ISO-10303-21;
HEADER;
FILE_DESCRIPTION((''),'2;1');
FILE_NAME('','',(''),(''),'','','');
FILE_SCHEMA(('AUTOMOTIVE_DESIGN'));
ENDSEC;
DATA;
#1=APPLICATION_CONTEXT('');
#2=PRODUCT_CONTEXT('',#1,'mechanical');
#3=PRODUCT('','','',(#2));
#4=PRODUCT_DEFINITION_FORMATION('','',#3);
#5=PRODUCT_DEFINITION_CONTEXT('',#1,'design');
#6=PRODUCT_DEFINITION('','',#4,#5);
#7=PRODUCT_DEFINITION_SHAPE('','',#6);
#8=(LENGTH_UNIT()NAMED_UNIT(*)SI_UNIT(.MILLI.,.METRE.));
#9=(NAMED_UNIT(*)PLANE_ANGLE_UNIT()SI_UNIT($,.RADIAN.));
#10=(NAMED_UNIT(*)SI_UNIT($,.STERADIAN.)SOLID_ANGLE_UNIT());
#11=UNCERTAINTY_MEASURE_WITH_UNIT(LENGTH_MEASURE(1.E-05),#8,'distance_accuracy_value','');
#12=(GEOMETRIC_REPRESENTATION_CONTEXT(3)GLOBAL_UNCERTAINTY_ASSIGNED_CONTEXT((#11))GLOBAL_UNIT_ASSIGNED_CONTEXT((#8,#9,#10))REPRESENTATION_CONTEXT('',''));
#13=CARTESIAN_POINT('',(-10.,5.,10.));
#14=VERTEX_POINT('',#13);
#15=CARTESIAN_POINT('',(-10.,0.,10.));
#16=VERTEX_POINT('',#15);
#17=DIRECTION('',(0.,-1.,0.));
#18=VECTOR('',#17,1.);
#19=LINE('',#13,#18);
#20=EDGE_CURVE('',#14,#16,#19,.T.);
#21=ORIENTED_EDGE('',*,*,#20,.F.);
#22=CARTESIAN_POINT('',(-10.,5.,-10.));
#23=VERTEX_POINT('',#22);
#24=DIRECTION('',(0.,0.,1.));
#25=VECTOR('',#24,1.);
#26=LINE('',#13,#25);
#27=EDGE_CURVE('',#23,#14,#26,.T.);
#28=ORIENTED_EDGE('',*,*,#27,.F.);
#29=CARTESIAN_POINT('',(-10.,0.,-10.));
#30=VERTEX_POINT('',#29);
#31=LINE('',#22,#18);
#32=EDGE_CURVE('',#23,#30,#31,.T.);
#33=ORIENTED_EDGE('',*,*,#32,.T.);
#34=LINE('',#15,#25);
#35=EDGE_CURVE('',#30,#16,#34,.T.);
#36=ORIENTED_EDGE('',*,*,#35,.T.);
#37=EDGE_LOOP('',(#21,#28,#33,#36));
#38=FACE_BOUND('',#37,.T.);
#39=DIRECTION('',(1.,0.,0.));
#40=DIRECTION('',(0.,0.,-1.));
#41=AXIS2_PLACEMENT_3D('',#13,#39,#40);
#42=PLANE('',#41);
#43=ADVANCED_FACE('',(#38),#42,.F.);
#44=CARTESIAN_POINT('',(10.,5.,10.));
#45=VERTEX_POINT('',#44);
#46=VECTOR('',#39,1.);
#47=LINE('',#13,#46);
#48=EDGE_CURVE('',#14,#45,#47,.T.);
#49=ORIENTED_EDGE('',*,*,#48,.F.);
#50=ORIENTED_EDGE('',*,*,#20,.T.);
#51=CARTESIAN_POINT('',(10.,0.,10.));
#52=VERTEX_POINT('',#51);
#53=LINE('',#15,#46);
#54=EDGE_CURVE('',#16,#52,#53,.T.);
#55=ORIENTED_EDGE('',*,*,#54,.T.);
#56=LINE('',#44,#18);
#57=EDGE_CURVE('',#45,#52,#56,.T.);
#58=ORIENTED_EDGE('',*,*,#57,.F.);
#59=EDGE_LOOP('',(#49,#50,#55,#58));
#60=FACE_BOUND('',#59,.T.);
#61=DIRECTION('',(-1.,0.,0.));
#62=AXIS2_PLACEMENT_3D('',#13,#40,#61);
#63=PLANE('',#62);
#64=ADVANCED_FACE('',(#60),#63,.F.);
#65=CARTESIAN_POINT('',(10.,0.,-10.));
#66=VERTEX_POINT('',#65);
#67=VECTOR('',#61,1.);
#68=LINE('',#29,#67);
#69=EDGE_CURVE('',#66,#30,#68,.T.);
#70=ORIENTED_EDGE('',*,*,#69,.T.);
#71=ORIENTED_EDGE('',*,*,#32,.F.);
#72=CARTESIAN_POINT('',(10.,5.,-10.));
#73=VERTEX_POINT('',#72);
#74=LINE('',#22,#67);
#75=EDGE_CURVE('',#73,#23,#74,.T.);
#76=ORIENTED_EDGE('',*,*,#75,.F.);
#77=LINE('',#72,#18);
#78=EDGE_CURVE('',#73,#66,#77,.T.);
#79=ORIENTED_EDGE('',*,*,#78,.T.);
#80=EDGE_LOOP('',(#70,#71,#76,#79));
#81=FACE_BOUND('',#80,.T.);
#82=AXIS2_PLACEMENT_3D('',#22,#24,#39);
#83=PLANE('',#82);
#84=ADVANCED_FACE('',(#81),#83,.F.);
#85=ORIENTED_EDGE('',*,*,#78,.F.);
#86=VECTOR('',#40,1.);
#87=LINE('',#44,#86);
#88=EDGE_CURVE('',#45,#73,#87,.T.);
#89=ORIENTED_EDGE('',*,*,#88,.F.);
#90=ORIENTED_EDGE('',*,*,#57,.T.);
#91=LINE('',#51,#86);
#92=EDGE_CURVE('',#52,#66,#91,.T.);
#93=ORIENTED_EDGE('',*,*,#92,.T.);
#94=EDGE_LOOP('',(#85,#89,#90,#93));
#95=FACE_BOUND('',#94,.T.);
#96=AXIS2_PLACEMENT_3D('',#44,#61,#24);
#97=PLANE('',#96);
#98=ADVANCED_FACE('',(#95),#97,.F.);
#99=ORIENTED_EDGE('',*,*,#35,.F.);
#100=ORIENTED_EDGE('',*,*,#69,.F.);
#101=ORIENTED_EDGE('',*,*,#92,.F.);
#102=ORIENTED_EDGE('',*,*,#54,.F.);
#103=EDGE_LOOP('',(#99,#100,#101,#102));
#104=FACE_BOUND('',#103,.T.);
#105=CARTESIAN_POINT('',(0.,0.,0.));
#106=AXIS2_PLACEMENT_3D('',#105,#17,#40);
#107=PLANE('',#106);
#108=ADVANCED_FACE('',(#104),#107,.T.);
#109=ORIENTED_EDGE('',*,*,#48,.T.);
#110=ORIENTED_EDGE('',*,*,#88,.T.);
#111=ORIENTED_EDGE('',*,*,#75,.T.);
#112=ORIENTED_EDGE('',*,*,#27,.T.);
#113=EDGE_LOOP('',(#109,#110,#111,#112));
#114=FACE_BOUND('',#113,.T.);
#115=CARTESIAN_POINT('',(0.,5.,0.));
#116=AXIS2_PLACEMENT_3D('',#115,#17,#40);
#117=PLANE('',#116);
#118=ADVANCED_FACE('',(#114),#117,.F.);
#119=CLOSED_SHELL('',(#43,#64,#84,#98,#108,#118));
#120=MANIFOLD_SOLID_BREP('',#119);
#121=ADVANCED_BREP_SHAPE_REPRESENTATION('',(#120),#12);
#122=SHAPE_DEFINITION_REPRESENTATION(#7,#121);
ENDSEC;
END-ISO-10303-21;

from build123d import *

# Parameters (mm, degrees)
SKETCH1_W           = 20
SKETCH1_H           = 20
BOSS_EXTRUDE1_DEPTH = 5


with BuildPart() as part:
    # Sketch1 → Boss-Extrude1 (new body)
    with BuildSketch(Plane(origin=(0, 0, 0), x_dir=(1, 0, 0), z_dir=(0, 1, 0))):
        Rectangle(SKETCH1_W, SKETCH1_H)
    extrude(amount=BOSS_EXTRUDE1_DEPTH)


solid = part.part
